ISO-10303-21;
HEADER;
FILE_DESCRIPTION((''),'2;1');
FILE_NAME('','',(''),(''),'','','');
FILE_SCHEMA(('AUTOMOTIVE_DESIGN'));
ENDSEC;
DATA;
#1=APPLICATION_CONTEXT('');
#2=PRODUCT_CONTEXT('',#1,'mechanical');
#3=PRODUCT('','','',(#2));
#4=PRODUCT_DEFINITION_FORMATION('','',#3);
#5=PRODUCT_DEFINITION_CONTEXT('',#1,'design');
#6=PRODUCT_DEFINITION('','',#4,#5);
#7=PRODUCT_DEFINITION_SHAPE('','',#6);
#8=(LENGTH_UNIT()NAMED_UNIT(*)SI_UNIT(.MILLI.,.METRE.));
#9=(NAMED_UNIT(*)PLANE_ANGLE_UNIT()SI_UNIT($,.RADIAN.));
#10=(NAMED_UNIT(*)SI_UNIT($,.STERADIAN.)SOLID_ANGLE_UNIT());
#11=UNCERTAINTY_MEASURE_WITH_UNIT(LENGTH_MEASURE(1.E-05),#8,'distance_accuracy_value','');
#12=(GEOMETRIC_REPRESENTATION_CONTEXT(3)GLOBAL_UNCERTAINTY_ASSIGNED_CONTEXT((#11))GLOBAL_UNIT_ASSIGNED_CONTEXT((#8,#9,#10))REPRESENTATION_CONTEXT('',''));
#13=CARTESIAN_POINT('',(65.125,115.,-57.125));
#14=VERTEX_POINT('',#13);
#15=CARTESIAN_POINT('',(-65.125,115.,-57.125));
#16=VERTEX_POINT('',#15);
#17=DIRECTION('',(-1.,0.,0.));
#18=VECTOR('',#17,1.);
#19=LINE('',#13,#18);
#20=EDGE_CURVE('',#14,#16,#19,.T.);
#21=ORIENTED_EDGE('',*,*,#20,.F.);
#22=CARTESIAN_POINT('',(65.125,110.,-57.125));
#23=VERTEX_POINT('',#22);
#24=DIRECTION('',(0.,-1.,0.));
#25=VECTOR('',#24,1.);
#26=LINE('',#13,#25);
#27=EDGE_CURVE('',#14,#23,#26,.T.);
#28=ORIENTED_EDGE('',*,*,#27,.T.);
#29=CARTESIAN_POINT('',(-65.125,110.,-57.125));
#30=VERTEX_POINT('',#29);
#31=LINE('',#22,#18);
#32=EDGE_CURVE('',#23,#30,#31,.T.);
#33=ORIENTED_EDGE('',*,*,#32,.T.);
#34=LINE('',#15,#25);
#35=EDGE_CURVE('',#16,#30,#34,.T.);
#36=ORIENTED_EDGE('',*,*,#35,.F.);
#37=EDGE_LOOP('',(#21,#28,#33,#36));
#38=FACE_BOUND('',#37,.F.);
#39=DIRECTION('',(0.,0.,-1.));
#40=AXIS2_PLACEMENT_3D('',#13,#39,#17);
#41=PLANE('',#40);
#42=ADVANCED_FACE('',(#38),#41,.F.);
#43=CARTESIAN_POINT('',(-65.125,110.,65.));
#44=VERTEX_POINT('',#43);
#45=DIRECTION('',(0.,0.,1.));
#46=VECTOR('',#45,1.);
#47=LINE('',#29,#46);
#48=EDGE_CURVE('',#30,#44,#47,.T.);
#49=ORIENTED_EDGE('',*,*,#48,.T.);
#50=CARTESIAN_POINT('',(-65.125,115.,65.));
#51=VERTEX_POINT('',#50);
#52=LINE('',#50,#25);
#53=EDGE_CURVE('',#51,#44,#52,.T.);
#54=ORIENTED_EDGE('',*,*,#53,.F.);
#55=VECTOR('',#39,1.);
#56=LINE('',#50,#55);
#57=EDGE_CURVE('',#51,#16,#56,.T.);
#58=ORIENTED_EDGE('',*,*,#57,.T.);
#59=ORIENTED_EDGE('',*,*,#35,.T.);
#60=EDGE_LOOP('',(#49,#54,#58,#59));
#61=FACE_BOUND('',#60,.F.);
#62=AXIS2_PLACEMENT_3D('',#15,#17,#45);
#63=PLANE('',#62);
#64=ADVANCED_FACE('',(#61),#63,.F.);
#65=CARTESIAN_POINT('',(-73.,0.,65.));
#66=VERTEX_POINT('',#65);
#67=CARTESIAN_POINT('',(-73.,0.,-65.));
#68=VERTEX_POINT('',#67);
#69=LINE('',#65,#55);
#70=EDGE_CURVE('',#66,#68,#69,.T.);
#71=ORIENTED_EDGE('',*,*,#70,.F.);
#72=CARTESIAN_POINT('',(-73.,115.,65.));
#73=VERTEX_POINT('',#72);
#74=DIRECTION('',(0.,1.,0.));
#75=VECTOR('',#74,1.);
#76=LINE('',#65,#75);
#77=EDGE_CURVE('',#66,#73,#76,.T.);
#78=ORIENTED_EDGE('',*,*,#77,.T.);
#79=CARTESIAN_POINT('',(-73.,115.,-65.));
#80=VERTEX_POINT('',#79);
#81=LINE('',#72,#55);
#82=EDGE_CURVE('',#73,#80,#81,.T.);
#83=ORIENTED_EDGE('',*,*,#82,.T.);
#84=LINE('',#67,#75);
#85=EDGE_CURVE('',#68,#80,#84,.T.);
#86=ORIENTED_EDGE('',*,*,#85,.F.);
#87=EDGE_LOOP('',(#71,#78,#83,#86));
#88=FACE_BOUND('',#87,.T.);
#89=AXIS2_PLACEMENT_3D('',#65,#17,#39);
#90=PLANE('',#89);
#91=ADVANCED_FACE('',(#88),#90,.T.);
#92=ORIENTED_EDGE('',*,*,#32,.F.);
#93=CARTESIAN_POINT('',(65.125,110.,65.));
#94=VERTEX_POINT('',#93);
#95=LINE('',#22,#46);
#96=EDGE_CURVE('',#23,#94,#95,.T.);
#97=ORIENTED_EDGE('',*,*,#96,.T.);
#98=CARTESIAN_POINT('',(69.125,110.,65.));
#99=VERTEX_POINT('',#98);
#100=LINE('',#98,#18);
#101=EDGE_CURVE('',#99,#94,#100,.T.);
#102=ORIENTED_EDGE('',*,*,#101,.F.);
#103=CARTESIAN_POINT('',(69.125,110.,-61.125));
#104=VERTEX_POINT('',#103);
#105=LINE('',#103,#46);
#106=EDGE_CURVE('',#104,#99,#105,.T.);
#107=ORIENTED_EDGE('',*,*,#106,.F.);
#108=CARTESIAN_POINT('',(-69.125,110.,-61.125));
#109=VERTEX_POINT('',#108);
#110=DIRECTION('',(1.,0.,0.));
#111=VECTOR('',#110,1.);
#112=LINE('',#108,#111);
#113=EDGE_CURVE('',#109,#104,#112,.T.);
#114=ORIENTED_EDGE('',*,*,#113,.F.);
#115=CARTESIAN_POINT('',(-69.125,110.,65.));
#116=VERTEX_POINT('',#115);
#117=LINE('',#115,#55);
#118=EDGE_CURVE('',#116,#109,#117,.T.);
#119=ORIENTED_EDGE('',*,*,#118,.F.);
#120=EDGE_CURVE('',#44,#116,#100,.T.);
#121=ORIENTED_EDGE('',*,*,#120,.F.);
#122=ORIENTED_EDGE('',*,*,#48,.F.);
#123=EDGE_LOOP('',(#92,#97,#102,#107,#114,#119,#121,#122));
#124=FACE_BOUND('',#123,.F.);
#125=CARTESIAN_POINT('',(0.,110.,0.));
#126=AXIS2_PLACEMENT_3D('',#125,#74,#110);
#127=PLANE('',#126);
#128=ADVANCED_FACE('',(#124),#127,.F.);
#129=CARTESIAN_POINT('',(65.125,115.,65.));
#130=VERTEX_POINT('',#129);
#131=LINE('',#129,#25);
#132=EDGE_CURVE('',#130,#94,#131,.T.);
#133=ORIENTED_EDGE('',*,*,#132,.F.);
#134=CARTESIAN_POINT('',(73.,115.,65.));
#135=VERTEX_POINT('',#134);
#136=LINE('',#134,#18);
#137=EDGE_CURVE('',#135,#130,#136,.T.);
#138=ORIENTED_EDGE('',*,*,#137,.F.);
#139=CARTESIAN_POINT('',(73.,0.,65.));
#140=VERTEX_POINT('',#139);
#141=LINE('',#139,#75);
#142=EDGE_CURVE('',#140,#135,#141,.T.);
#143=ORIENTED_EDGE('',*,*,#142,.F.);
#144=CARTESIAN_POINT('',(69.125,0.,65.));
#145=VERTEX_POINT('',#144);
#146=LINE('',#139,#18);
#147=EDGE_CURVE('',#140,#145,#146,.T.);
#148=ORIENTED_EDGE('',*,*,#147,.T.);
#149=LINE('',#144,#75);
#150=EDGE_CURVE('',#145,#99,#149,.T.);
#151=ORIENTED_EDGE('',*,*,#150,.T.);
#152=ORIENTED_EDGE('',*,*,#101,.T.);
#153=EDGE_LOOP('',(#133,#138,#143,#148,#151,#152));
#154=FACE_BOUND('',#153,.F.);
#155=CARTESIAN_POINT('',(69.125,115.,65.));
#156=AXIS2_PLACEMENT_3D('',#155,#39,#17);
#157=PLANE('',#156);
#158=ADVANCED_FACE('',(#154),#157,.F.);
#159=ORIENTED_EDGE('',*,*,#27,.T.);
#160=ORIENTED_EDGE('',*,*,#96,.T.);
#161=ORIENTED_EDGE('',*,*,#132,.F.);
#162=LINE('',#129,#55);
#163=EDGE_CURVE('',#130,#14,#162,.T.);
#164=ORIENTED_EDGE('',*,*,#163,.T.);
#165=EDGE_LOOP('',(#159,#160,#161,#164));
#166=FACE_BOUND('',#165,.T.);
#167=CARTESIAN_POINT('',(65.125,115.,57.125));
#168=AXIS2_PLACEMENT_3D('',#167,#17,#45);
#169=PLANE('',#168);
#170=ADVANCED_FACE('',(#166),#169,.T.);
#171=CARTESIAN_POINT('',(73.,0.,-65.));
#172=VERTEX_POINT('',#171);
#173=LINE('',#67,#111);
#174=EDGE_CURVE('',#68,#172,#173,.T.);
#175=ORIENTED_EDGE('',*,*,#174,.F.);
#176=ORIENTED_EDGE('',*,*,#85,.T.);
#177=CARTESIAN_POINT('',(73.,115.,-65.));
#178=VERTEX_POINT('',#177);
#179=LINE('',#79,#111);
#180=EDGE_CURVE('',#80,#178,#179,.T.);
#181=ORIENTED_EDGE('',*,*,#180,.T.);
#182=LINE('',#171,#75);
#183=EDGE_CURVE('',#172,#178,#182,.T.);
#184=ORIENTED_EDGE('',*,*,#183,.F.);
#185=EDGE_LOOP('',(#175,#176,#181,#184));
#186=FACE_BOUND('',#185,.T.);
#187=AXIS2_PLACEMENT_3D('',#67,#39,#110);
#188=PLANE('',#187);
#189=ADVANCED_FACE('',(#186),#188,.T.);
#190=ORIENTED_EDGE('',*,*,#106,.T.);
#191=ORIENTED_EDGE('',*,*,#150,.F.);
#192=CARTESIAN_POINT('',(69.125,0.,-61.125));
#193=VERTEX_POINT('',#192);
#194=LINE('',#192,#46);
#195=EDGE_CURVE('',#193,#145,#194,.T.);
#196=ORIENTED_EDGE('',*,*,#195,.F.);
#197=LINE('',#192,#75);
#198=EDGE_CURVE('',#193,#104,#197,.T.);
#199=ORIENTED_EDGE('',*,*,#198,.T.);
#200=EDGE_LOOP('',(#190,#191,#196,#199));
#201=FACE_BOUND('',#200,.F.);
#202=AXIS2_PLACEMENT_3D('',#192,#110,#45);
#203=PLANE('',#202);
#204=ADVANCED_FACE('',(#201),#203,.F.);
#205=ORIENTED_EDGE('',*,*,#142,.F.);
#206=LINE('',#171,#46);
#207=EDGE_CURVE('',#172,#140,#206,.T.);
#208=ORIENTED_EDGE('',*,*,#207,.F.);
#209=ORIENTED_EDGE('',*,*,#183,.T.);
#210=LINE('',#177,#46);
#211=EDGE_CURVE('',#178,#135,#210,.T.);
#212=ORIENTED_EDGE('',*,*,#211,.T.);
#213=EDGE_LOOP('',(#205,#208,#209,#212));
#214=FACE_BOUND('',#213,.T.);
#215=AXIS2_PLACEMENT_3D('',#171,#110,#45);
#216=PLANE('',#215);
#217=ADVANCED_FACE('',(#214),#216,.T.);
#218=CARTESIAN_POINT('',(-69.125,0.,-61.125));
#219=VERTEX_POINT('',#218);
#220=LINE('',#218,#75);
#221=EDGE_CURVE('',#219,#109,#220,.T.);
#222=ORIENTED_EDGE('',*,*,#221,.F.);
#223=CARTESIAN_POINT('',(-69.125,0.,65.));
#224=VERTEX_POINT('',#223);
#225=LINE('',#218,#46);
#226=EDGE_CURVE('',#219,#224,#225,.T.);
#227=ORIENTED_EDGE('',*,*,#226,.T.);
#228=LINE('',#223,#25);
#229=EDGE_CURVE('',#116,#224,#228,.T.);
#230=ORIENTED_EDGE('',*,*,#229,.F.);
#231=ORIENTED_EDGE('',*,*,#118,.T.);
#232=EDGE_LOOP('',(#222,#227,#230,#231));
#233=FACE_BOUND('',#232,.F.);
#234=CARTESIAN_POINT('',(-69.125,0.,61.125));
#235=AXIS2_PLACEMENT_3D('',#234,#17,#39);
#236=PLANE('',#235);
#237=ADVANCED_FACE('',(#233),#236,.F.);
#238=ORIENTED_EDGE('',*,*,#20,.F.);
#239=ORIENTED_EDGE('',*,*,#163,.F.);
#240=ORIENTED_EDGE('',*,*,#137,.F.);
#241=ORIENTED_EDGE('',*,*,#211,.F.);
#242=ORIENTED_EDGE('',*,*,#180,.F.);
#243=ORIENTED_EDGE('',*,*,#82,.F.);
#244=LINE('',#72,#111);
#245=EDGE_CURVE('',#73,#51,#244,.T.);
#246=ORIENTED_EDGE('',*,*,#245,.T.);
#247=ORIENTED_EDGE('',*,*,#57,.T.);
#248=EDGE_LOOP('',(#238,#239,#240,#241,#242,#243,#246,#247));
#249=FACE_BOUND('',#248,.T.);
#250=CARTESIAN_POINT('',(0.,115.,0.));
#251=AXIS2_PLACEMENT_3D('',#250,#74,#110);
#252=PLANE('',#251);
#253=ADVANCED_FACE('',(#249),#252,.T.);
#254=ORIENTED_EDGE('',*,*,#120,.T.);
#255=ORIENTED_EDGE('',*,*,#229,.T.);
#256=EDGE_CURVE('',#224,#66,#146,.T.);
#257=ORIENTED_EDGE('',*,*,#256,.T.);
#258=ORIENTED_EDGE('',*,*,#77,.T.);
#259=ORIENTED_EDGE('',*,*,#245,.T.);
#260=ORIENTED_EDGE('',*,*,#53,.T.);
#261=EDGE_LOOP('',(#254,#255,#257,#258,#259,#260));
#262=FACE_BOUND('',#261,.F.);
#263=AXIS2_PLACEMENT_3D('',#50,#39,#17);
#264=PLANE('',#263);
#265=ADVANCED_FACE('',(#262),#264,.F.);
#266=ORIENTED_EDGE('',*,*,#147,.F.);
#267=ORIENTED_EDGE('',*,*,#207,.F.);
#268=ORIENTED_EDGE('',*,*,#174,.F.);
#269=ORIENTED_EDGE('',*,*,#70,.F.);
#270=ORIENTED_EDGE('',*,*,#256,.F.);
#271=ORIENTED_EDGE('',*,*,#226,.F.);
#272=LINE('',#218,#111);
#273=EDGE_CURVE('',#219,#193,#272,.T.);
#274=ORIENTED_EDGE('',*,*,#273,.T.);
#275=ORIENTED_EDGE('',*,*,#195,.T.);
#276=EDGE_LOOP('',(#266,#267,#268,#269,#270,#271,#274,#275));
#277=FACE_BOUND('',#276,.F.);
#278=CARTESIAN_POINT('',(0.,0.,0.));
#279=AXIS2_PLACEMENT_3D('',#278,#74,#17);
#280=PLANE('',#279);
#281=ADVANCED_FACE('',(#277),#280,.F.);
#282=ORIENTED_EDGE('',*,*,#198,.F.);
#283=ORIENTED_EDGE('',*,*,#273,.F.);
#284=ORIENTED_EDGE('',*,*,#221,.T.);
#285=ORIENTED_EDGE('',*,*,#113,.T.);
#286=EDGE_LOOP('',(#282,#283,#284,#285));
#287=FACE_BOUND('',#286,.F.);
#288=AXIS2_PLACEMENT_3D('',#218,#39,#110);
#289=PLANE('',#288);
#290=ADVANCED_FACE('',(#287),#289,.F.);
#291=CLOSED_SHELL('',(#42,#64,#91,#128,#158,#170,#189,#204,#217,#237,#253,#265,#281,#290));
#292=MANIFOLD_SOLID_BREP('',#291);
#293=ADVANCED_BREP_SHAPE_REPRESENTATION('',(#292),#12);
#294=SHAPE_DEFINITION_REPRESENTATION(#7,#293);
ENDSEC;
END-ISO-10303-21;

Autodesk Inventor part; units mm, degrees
ref_plane "YZ Plane" through (0, 0, 0) normal (1, 0, 0) x (0, 1, 0)
ref_plane "XZ Plane" through (0, 0, 0) normal (0, 1, 0) x (-1, 0, 0)
ref_plane "XY Plane" through (0, 0, 0) normal (0, 0, 1) x (1, 0, 0)
sketch "Sketch1" plane through (0, 0, 0) normal (0, 1, 0) x (-1, 0, 0)
  line L0 (-73, 65) -> (73, 65)
  line L1 (73, 65) -> (73, -65)
  line L2 (73, -65) -> (-73, -65)
  line L3 (-73, -65) -> (-73, 65)
  line L4 (-73, 65) -> (73, -65) construction
  line L5 (73, 65) -> (-73, -65) construction
  point P0 (0, 0)
  dimension "d0" = 146
  dimension "d1" = 130
extrude "Extrusion1" add sketch "Sketch1" along normal blind 115
sketch "Sketch2" plane through (0, 0, 0) normal (0, -1, 0) x (1, 0, 0)
  line L0 (-69.125, -61.125) -> (69.125, -61.125)
  line L1 (69.125, -61.125) -> (69.125, 61.125)
  line L2 (69.125, 61.125) -> (-69.125, 61.125)
  line L3 (-69.125, 61.125) -> (-69.125, -61.125)
  line L4 (-69.125, -61.125) -> (69.125, 61.125) construction
  line L5 (69.125, -61.125) -> (-69.125, 61.125) construction
  line L6 (-69.125, 61.125) -> (69.125, 61.125)
  line L7 (69.125, 61.125) -> (69.125, 91.125)
  line L8 (69.125, 91.125) -> (-69.125, 91.125)
  line L9 (-69.125, 91.125) -> (-69.125, 61.125)
  point P0 (0, 0)
  dimension "d4" = 138.25
  dimension "d5" = 122.25
  dimension "d6" = 138.25
  dimension "d7" = 30
extrude "Extrusion2" cut sketch "Sketch2" against normal through all
sketch "Sketch3" plane through (0, 115, 0) normal (0, 1, 0) x (1, 0, 0)
  line L0 (-69.125, 61.125) -> (69.125, 61.125) projected
  line L1 (69.125, 61.125) -> (69.125, -65) projected
  line L2 (-69.125, 61.125) -> (69.125, 61.125)
  line L3 (69.125, 61.125) -> (69.125, -65)
  line L4 (69.125, -65) -> (-69.125, -65)
  line L5 (-69.125, -65) -> (-69.125, 61.125)
  line L6 (-65.125, -57.125) -> (65.125, -57.125)
  line L7 (65.125, -57.125) -> (65.125, 57.125)
  line L8 (65.125, 57.125) -> (-65.125, 57.125)
  line L9 (-65.125, 57.125) -> (-65.125, -57.125)
  line L10 (-65.125, -57.125) -> (65.125, 57.125) construction
  line L11 (65.125, -57.125) -> (-65.125, 57.125) construction
  line L12 (65.125, -57.125) -> (65.125, -65)
  line L13 (-65.125, -57.125) -> (-65.125, -65)
  point P0 (0, 0)
  dimension "d10" = 4
  dimension "d11" = 4
extrude "Extrusion3" add sketch "Sketch3" against normal blind 5 contours L0 L1 L4 L12 L7 L8 L9 L13 L5
properties part number "Cylinder Galvo Housing"
